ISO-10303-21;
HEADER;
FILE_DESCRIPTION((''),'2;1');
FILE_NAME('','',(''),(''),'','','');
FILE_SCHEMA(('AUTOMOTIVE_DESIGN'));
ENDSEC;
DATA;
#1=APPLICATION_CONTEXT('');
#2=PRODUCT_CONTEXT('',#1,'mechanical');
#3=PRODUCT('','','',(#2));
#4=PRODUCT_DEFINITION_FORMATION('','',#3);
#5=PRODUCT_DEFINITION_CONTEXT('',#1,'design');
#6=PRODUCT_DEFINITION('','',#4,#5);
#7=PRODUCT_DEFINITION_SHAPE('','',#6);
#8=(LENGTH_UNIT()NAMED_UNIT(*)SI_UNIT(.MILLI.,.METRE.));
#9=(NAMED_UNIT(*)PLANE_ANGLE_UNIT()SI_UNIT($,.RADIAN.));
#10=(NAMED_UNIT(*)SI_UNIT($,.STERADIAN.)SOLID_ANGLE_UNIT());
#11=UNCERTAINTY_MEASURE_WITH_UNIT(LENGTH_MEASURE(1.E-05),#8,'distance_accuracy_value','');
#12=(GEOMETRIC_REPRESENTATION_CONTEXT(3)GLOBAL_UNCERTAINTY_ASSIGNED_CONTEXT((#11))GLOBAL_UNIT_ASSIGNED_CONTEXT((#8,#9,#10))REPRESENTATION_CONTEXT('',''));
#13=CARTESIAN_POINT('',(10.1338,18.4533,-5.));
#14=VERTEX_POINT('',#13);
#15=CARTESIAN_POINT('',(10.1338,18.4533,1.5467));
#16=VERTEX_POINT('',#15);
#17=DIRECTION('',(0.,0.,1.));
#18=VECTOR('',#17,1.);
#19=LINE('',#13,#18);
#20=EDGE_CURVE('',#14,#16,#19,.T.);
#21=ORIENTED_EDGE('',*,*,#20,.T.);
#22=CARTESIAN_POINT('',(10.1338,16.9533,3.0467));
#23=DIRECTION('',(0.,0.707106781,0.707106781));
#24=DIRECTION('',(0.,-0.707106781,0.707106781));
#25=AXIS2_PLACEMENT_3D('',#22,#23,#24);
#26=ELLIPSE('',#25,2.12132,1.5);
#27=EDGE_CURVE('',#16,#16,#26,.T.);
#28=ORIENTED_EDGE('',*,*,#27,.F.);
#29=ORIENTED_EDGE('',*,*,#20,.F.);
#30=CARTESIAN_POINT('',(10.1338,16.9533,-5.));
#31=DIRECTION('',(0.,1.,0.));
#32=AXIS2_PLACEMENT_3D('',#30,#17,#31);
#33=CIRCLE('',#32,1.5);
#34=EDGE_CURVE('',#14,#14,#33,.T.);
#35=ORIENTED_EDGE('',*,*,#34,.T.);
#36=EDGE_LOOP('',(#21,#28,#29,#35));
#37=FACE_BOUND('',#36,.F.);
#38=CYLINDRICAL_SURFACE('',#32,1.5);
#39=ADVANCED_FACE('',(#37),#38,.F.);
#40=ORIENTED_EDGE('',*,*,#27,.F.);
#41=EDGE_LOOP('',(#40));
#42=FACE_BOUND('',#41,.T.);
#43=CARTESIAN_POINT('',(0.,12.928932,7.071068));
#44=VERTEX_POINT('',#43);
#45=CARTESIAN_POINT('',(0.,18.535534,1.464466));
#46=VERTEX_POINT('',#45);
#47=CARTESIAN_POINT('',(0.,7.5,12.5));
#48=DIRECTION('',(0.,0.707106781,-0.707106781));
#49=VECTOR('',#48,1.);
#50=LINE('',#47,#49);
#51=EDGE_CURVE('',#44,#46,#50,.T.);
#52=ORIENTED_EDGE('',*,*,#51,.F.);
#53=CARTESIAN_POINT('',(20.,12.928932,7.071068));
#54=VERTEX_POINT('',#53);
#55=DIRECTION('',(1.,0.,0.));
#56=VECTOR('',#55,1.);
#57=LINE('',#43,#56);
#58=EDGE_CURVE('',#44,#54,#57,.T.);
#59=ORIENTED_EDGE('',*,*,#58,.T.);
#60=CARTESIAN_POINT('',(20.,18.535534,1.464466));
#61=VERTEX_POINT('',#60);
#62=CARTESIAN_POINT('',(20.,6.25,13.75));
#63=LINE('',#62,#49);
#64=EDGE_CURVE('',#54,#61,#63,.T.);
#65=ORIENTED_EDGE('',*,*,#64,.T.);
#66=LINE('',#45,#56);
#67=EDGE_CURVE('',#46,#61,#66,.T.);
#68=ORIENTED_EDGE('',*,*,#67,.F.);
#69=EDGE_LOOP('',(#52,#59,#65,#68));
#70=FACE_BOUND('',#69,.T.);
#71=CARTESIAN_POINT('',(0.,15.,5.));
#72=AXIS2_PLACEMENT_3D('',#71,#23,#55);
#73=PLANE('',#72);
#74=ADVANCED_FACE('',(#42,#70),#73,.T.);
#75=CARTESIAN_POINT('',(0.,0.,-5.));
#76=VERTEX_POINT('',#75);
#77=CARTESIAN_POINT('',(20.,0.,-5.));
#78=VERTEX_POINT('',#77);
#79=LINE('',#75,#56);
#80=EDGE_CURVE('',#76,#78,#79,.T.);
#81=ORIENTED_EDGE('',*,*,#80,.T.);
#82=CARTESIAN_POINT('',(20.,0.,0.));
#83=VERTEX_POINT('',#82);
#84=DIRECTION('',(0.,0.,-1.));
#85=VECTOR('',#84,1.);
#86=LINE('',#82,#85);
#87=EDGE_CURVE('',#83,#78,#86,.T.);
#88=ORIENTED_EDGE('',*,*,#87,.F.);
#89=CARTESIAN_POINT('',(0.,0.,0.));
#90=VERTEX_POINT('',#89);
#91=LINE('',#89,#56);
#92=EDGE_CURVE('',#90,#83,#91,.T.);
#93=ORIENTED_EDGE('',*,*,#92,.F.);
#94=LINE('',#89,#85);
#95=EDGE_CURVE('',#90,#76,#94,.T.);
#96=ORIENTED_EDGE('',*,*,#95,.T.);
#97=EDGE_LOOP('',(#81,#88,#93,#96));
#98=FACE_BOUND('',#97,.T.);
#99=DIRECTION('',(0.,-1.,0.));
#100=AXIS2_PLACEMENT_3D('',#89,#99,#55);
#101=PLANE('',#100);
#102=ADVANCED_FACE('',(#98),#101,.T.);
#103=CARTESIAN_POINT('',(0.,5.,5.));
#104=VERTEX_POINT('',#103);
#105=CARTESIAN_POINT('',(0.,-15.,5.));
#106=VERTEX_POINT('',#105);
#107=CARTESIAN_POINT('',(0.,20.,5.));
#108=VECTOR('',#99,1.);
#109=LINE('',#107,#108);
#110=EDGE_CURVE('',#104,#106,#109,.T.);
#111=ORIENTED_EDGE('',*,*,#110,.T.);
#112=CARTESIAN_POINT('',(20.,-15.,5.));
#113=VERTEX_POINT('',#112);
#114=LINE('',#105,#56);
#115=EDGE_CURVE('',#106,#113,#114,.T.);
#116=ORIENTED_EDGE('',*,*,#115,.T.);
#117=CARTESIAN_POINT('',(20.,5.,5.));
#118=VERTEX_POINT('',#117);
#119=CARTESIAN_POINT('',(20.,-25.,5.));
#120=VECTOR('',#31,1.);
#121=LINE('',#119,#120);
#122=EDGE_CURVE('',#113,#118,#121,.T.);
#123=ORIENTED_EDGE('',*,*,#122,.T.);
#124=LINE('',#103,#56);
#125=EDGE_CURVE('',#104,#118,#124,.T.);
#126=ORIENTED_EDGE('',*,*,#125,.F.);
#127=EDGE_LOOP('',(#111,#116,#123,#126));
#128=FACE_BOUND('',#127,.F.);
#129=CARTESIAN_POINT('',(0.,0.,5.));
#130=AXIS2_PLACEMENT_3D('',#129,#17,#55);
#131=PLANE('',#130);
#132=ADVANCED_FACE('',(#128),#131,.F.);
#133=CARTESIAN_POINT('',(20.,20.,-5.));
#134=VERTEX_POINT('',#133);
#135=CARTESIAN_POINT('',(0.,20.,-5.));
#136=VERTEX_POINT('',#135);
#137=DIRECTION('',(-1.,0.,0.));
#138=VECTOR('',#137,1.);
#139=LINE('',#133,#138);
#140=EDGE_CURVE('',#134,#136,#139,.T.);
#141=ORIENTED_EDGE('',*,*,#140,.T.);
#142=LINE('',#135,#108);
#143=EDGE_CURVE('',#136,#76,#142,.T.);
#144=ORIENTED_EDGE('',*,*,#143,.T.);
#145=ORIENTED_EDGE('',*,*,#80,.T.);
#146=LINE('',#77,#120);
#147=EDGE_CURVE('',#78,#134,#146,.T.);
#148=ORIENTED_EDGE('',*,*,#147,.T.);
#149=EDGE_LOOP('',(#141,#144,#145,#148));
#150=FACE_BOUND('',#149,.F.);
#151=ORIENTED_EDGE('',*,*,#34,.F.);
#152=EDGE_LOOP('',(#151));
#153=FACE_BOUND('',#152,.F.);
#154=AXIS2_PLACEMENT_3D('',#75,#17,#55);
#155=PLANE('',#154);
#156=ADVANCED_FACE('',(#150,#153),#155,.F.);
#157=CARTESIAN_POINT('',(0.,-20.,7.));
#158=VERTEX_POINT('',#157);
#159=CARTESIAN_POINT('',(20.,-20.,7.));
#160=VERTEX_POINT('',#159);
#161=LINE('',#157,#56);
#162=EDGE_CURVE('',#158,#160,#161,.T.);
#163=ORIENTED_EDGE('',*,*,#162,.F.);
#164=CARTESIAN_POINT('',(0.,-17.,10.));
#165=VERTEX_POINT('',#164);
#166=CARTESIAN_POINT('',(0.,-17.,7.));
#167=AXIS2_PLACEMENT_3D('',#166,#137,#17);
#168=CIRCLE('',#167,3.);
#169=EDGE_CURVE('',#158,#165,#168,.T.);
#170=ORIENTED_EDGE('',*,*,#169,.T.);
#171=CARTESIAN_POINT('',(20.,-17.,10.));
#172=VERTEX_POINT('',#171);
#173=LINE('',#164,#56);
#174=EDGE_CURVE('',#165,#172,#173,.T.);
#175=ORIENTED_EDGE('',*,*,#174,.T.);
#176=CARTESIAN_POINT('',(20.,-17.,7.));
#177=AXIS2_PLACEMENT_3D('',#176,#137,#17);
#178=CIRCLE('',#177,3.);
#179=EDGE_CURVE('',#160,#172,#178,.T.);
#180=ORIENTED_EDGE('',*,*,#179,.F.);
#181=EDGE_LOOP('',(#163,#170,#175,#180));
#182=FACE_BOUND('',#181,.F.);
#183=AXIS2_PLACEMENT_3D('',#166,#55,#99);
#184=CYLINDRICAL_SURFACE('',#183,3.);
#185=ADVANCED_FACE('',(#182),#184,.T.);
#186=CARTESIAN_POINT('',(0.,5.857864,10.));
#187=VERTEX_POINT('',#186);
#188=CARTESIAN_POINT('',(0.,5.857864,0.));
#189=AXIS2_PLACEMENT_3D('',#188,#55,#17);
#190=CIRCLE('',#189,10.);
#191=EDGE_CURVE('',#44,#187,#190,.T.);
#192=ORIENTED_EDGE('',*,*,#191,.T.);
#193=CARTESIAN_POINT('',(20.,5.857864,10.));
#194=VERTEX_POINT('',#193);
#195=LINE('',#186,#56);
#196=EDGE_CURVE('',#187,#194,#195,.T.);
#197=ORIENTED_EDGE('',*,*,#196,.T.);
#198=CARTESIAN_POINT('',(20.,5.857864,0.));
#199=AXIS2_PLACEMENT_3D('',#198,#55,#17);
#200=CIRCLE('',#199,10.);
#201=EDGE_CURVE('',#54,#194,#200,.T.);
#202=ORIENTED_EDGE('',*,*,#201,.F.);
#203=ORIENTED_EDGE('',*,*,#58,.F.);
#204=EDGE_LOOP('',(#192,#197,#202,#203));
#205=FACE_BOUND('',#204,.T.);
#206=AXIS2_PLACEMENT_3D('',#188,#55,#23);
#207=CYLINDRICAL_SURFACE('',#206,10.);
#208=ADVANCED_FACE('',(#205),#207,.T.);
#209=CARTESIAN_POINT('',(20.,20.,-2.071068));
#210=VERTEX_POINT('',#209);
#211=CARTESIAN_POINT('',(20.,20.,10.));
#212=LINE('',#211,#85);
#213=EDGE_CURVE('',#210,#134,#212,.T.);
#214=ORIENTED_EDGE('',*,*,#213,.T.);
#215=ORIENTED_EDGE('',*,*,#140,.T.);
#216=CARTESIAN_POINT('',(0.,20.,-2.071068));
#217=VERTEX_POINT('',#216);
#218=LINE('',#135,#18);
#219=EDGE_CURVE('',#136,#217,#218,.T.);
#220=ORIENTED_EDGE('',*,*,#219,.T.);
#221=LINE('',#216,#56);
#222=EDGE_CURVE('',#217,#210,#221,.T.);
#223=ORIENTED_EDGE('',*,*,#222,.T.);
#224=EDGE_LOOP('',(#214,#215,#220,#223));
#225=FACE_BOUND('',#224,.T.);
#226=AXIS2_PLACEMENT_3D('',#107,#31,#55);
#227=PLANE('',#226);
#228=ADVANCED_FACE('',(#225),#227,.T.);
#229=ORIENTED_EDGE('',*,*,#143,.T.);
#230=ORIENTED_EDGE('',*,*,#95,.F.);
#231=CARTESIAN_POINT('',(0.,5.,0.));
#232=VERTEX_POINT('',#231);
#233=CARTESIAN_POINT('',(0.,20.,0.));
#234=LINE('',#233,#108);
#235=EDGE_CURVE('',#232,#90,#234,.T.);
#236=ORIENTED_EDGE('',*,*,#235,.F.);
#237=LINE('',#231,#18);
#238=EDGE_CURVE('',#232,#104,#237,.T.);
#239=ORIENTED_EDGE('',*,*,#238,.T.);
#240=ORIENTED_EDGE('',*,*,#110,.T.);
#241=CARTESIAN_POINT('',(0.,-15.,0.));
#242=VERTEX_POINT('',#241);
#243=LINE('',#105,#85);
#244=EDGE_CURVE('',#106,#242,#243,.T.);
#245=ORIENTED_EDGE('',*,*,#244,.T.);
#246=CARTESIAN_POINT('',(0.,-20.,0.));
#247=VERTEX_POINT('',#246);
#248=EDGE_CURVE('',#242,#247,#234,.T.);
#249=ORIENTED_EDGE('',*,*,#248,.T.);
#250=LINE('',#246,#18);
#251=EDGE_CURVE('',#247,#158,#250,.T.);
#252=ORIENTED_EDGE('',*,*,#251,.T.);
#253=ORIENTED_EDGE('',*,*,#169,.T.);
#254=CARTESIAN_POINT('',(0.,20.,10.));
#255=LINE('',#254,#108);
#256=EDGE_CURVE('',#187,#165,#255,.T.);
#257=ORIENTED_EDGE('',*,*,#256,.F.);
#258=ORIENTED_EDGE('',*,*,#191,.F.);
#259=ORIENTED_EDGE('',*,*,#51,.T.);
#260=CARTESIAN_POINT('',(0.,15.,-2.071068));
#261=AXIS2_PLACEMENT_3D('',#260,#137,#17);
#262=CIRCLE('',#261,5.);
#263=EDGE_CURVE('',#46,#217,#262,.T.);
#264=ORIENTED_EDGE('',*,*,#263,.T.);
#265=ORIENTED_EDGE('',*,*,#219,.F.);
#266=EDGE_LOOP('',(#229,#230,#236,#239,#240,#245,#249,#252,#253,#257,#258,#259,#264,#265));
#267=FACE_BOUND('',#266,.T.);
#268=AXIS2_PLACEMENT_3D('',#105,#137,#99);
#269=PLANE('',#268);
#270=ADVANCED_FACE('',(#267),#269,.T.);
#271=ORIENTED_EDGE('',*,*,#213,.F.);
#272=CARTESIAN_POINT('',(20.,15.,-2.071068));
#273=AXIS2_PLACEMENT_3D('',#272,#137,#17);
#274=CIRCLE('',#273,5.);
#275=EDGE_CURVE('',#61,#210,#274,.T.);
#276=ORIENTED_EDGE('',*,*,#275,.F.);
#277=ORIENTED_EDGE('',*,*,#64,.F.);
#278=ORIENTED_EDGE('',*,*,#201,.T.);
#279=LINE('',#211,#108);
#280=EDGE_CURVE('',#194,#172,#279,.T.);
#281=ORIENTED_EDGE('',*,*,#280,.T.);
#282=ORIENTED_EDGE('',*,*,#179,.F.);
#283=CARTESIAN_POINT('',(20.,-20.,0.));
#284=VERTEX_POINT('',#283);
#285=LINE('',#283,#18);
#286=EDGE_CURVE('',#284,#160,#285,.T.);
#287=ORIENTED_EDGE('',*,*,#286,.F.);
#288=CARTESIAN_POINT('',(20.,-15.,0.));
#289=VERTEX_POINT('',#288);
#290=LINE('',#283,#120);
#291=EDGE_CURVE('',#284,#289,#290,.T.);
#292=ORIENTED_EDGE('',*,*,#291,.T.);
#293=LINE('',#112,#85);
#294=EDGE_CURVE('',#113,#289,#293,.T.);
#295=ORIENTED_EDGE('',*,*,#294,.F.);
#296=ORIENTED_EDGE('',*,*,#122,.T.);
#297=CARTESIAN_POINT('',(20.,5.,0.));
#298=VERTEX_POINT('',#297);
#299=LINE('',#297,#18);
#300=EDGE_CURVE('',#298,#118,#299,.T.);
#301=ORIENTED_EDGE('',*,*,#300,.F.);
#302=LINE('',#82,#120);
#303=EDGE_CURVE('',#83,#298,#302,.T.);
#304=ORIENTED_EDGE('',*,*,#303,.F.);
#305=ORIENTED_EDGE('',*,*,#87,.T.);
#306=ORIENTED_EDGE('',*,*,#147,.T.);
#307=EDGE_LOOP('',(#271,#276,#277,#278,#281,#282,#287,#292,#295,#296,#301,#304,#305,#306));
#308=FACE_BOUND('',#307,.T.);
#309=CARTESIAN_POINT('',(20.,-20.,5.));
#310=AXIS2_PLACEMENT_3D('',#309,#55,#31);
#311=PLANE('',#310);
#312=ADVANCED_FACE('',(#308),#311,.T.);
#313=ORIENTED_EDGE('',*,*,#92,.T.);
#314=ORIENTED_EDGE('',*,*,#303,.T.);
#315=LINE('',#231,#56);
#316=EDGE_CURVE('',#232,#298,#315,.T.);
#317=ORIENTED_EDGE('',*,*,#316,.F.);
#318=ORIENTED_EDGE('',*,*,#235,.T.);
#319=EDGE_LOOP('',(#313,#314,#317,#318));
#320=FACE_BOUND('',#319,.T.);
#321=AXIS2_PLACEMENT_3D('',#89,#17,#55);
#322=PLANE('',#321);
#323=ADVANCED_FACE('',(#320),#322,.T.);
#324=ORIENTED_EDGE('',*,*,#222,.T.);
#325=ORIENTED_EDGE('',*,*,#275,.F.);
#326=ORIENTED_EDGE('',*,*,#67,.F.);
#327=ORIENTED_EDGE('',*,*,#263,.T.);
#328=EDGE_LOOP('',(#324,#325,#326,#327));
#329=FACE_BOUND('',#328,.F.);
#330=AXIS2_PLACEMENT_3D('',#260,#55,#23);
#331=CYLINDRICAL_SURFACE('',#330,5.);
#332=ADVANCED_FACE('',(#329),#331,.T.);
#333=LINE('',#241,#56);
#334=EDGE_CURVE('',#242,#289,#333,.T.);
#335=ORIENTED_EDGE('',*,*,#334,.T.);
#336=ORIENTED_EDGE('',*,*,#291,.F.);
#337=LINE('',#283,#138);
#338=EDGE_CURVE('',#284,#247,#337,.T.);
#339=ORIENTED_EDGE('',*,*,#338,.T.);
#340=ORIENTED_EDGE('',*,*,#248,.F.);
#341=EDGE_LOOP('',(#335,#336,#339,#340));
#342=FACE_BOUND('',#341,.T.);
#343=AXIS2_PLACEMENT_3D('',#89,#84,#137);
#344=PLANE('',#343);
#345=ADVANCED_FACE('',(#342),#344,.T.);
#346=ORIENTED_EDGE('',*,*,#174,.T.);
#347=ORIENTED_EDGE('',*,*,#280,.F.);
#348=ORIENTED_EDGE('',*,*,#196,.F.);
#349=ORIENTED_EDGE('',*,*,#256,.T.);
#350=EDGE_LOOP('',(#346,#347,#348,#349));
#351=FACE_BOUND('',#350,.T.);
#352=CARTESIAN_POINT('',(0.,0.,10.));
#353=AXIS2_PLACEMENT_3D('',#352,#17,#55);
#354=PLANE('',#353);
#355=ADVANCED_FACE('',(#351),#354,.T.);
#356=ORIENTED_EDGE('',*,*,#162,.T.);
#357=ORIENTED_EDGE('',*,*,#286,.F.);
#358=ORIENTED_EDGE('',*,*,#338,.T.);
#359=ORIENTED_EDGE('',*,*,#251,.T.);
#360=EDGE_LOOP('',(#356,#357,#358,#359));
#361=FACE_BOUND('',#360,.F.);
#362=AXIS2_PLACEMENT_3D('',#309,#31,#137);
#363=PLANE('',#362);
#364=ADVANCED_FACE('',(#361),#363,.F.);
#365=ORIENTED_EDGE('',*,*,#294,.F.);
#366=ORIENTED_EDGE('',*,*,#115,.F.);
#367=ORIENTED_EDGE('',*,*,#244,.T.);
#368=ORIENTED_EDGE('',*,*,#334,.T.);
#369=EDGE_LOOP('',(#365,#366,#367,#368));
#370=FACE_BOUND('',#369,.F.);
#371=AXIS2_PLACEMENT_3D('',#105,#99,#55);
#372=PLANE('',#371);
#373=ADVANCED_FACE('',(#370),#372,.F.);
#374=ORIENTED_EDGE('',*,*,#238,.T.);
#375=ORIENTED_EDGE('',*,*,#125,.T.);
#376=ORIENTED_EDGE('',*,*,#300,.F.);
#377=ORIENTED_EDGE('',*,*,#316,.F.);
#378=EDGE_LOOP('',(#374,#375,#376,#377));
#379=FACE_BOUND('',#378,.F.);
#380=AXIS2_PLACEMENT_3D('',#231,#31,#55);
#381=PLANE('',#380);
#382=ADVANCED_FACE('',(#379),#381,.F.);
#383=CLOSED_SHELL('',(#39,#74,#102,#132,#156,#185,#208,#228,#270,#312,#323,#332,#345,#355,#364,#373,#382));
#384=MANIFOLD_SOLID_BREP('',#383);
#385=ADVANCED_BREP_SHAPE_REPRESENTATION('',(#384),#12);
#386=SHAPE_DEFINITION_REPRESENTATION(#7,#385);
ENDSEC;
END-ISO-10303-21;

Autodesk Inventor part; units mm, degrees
ref_plane "YZ Plane" through (0, 0, 0) normal (1, 0, 0) x (0, 1, 0)
ref_plane "XZ Plane" through (0, 0, 0) normal (0, 1, 0) x (-1, 0, 0)
ref_plane "XY Plane" through (0, 0, 0) normal (0, 0, 1) x (1, 0, 0)
sketch "Szkic1" plane through (0, 0, 0) normal (0, 0, 1) x (1, 0, 0)
  line L0 (0, 0) -> (20, 0)
  line L1 (20, 0) -> (20, 20)
  line L2 (20, 20) -> (0, 20)
  line L3 (0, 20) -> (0, 0)
  dimension "d0" = 20
  dimension "d1" = 20
extrude "Wyciągnięcie proste1" add sketch "Szkic1" against normal blind 5
sketch "Szkic2" plane through (0, 0, 0) normal (0, 0, 1) x (1, 0, 0)
  line L0 (0, 0) -> (0, 20) projected
  line L1 (0, 20) -> (0, 5)
  line L2 (0, 5) -> (20, 5)
  line L3 (20, 20) -> (20, 0) projected
  line L4 (20, 5) -> (20, 20)
  line L5 (0, 20) -> (20, 20) projected
  line L6 (20, 20) -> (0, 20)
  dimension "d4" = 15
extrude "Wyciągnięcie proste2" add sketch "Szkic2" along normal blind 5
sketch "Szkic3" plane through (0, 0, 5) normal (0, 0, 1) x (1, 0, 0)
  line L0 (0, 20) -> (20, 20) projected
  line L1 (0, 20) -> (0, -25)
  line L2 (0, -25) -> (20, -25)
  line L3 (20, 20) -> (20, 0) projected
  line L4 (20, -25) -> (20, 20)
  line L5 (20, 20) -> (0, 20)
  point P0 (0, 0)
  dimension "d7" = 45
extrude "Wyciągnięcie proste3" add sketch "Szkic3" along normal blind 5
sketch "Szkic4" plane through (0, 0, 10) normal (0, 0, 1) x (1, 0, 0)
  line L0 (0, -25) -> (0, -20)
  line L1 (0, 5) -> (0, -25) projected
  line L2 (0, -20) -> (20, -20)
  line L3 (20, -25) -> (20, 5) projected
  line L4 (0, -25) -> (20, -25) projected
  line L5 (20, -25) -> (0, -25)
  point P0 (0, 0)
  dimension "d10" = 5
extrude "Wyciągnięcie proste4" cut sketch "Szkic4" against normal blind 10
sketch "Szkic5" plane through (0, 0, 5) normal (0, 0, -1) x (-1, 0, 0)
  line L0 (0, 20) -> (0, -20) projected
  line L1 (0, -20) -> (0, -15)
  line L2 (0, -15) -> (-20, -15)
  line L3 (-20, -20) -> (-20, 20) projected
  line L4 (-20, -20) -> (0, -20)
  point P0 (0, 0)
extrude "Wyciągnięcie proste5" add sketch "Szkic5" along normal blind 5
fillet "Zaokrąglenie1" radius 3 1 edges at (10, -20, 10)
chamfer "Faza1" distance 10 angle 45 1 edges at (10, 20, 10)
fillet "Zaokrąglenie2" radius 5 1 edges at (10, 20, 0)
fillet "Zaokrąglenie3" radius 10 1 edges at (10, 10, 10)
sketch "Szkic6" plane through (0, 0, -5) normal (0, 0, -1) x (-1, 0, 0)
  point P0 (0, 0)
  point P1 (-10.1338, 16.9533)
hole "Otwór1" at (10.1338, 16.9533, -5) direction (0, 0, 1) diameter 3 end through all
properties part number "Otwieracz do butelek"
